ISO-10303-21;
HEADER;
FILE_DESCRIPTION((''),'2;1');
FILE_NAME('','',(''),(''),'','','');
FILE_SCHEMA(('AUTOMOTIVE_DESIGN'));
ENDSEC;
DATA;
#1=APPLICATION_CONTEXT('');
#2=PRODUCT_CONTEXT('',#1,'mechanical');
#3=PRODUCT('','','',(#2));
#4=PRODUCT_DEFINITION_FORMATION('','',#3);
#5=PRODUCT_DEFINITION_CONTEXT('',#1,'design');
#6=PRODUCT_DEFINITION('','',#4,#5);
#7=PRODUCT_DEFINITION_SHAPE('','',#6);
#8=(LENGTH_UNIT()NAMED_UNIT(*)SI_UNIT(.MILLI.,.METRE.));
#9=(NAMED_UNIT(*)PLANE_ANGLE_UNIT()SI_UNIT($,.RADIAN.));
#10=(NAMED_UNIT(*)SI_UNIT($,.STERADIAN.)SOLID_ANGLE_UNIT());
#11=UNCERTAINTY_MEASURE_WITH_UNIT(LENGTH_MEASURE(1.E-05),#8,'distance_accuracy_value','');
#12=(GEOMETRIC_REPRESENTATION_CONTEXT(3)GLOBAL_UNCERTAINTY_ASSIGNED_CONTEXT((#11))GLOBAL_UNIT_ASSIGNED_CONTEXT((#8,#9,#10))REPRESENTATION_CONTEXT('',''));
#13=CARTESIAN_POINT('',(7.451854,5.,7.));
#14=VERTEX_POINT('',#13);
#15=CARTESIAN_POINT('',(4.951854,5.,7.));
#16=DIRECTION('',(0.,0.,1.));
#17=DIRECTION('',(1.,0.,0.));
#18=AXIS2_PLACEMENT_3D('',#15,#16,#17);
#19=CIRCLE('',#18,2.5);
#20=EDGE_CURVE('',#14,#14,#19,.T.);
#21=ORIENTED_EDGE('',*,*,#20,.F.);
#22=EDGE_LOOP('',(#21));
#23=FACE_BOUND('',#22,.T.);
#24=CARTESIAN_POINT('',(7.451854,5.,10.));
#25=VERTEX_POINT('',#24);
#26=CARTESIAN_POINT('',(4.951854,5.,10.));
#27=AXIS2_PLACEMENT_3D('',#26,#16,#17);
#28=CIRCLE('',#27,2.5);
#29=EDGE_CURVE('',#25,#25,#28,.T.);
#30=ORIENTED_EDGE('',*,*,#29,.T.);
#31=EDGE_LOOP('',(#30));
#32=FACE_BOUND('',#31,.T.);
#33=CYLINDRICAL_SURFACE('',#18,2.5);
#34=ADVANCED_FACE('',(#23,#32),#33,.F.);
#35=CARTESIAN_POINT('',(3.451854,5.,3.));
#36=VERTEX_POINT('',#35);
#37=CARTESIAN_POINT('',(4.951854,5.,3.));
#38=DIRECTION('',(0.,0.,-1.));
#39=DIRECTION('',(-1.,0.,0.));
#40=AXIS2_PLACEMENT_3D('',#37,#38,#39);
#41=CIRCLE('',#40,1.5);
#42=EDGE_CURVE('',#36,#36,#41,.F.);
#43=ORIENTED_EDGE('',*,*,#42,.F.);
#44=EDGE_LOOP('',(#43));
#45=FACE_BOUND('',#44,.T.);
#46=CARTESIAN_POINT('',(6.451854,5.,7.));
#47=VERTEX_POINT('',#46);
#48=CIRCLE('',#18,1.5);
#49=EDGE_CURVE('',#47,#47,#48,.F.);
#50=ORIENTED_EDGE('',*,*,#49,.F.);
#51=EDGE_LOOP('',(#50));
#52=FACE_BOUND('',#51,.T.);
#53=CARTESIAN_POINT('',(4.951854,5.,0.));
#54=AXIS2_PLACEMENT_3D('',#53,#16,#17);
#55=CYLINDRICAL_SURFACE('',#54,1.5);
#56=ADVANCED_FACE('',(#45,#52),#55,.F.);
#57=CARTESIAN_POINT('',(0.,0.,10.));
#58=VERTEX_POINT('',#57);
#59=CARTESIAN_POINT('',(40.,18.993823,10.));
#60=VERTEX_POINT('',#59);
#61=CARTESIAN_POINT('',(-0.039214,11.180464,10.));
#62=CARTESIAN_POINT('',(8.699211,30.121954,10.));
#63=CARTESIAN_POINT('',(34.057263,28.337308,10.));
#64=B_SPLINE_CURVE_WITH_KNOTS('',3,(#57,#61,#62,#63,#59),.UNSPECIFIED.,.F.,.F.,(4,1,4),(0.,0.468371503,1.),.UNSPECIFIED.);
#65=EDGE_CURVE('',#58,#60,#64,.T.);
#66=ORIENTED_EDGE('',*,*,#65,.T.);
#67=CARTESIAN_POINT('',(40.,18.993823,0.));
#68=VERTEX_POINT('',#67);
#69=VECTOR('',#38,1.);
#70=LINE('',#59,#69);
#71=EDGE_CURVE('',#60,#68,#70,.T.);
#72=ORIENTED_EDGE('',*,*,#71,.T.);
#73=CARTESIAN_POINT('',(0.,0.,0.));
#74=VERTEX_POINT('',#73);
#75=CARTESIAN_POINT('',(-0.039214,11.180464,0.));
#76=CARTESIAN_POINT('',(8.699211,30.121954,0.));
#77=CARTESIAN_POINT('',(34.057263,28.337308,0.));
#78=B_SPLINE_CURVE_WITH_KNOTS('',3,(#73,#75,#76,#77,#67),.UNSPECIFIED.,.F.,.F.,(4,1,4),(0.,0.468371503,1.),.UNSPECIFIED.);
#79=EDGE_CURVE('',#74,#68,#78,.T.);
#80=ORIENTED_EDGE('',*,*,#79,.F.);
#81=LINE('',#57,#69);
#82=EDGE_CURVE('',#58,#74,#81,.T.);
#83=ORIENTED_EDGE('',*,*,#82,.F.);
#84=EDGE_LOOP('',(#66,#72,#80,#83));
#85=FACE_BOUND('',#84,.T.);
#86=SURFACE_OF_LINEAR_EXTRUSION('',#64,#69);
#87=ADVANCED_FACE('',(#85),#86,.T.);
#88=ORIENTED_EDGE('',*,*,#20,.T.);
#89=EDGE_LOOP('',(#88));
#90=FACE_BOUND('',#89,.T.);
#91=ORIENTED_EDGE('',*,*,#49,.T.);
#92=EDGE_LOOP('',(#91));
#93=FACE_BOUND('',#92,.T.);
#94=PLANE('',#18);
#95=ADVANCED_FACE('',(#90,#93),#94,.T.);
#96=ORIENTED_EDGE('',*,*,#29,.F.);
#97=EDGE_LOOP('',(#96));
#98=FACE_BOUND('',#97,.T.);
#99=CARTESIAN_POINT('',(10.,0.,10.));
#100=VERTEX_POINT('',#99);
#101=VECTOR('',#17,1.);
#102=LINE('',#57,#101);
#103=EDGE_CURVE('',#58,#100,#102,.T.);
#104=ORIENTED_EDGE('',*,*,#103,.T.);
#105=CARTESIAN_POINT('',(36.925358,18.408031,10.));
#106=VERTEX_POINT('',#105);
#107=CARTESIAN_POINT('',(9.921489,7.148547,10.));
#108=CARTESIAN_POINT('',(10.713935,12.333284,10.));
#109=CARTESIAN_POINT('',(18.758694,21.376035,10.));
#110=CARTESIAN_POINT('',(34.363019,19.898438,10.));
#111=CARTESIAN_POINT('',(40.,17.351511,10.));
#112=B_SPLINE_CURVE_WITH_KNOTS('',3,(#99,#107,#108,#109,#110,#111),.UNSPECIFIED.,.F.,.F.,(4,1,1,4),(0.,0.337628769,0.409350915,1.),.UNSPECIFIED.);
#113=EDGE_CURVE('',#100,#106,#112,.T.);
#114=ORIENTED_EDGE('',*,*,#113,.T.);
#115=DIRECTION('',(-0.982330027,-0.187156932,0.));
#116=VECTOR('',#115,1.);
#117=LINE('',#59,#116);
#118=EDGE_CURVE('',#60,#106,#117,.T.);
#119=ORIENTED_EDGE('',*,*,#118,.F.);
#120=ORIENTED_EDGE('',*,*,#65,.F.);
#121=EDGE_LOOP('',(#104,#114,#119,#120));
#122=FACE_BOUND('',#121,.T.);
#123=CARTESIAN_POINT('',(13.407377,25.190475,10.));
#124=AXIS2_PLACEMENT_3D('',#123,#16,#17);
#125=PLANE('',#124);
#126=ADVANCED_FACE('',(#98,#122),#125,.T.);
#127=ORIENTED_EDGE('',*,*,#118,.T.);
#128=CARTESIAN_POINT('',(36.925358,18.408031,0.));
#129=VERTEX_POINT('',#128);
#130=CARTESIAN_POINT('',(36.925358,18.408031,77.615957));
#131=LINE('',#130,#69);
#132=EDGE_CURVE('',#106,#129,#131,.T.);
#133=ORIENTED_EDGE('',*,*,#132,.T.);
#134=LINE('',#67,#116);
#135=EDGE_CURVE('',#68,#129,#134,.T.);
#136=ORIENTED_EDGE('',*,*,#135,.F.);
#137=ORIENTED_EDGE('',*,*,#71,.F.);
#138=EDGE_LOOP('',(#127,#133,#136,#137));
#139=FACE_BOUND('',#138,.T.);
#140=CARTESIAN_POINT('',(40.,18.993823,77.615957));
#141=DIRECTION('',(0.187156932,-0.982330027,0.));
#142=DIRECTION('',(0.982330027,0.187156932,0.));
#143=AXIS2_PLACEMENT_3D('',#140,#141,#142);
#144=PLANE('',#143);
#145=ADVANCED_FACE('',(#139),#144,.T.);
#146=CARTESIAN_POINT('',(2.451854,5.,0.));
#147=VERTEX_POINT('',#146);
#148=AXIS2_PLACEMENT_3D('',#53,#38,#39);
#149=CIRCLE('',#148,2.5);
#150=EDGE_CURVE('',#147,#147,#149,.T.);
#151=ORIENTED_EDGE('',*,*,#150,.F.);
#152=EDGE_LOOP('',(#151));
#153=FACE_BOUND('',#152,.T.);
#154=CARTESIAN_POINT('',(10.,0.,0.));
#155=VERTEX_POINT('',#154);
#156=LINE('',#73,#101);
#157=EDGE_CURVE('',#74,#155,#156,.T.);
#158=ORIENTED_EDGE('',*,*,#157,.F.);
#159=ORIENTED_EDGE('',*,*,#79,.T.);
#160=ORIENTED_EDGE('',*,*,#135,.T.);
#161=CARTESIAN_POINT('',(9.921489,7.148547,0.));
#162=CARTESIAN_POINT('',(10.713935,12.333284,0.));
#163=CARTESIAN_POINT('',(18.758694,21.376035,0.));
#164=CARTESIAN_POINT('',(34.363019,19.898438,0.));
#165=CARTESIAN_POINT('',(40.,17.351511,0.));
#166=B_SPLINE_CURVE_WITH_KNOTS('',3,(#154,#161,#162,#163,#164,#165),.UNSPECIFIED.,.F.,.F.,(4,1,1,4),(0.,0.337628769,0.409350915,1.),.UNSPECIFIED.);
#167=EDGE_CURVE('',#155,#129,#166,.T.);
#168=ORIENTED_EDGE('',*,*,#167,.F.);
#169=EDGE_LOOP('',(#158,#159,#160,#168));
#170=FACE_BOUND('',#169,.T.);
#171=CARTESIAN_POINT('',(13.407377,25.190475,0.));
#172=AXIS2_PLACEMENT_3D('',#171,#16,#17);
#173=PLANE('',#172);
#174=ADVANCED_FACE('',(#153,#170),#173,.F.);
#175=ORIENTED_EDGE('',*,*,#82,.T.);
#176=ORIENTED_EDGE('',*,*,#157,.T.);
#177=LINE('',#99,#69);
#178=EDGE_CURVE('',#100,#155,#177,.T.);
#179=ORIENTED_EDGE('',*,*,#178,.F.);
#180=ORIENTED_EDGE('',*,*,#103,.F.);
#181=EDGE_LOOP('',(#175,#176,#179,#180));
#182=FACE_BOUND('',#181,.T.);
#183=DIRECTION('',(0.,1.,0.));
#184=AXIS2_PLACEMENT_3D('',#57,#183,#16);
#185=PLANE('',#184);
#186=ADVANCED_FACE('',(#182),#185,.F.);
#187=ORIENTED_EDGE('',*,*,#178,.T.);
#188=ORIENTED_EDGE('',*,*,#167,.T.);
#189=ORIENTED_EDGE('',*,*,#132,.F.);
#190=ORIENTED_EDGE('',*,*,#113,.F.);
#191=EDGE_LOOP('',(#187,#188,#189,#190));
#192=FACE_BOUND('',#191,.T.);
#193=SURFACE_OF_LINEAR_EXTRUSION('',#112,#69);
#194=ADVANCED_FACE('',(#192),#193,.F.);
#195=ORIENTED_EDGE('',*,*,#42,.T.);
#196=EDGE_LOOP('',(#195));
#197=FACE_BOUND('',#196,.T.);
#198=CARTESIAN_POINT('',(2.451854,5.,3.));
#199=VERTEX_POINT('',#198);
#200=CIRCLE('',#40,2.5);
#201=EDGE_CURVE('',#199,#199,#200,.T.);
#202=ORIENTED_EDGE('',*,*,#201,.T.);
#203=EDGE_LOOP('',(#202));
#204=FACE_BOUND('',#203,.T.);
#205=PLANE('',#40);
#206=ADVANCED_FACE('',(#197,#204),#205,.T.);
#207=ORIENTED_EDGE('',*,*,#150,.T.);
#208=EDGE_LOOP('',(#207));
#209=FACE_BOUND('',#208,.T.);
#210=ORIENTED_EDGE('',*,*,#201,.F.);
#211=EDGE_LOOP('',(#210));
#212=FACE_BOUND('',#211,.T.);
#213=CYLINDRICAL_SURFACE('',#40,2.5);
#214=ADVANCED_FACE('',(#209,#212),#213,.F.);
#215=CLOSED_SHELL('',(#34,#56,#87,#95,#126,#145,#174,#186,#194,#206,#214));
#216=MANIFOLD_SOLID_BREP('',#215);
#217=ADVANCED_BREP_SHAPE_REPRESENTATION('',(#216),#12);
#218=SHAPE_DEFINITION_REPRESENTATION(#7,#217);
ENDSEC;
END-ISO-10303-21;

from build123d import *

# Parameters (mm, degrees)
BOSS_EXTRU_1_DEPTH           = 10
ESQUISSE2_R                  = 1.5
ENL_V_MAT_EXTRU_1_DEPTH      = 10
ESQUISSE3_R                  = 2.5
ENL_V_MAT_EXTRU_2_DEPTH      = 3
ENL_V_START                  = -3
ESQUISSE4_R                  = 2.5
ENL_V_MAT_EXTRU_3_DEPTH      = 3
ENL_V_MAT_EXTRU_5_DEPTH      = 50.448460785
ENL_V_MAT_EXTRU_5_DEPTH_BACK = 10


with BuildPart() as part:
    # Esquisse1 → Boss.-Extru.1 (new body)
    with BuildSketch(Plane.XY):
        with BuildLine():
            Line((0, 0), (10, 0))
            add(Edge.make_bspline(
                [(10, 0), (9.921489326, 7.148546847), (10.713934518, 12.333283688), (18.75869357, 21.376035051), (34.363019417, 19.898437833), (40, 17.351511011)],
                knots=[0, 0, 0, 0, 0.337628769, 0.409350915, 1, 1, 1, 1], degree=3))
            Line((40, 17.351511011), (40, 18.993822565))
            add(Edge.make_bspline(
                [(0, 0), (-0.039213766, 11.180464065), (8.69921101, 30.121953716), (34.057263146, 28.337308065), (40, 18.993822565)],
                knots=[0, 0, 0, 0, 0.468371503, 1, 1, 1, 1], degree=3))
        make_face()
    extrude(amount=BOSS_EXTRU_1_DEPTH)

    # Esquisse2 → Enlèv. mat.-Extru.1 (cut)
    with BuildSketch(Plane.XY.offset(10)):
        with Locations((4.95185359, 5)):
            Circle(ESQUISSE2_R)
    extrude(amount=-ENL_V_MAT_EXTRU_1_DEPTH, mode=Mode.SUBTRACT)

    # Esquisse3 → Enlèv. mat.-Extru.2 (cut)
    with BuildSketch(Plane.XY.offset(10)):
        with Locations((4.95185359, 5)):
            Circle(ESQUISSE3_R)
    extrude(amount=-ENL_V_MAT_EXTRU_2_DEPTH, mode=Mode.SUBTRACT)

    # Esquisse4 → Enlèv. mat.-Extru.3 (cut)
    with BuildSketch(Plane(origin=(0, 0, 0), x_dir=(-1, 0, 0), z_dir=(0, 0, -1)).offset(ENL_V_START)):
        with Locations(Location((-4.95185359, 5, 0), (0, 0, 180))):
            Circle(ESQUISSE4_R)
    extrude(amount=ENL_V_MAT_EXTRU_3_DEPTH, mode=Mode.SUBTRACT)

    # Esquisse5 → Enlèv. mat.-Extru.5 (cut, two sides: drawn at the far end of the back side and taken through both)
    with BuildSketch(Plane.XY.offset(10).offset(-ENL_V_MAT_EXTRU_5_DEPTH_BACK)):
        with BuildLine():
            Line((40, 17.351511011), (40, 18.993822565))
            Line((40, 18.993822565), (36.925358186, 18.408031117))
            add(Edge.make_bspline(
                [(36.925358186, 18.408031117), (38.102088932, 18.094984676), (39.146032524, 17.737354573), (40, 17.351511011)],
                knots=[0.91052034, 0.91052034, 0.91052034, 0.91052034, 1, 1, 1, 1], degree=3))
        make_face()
    extrude(amount=ENL_V_MAT_EXTRU_5_DEPTH + ENL_V_MAT_EXTRU_5_DEPTH_BACK, mode=Mode.SUBTRACT)


solid = part.part
